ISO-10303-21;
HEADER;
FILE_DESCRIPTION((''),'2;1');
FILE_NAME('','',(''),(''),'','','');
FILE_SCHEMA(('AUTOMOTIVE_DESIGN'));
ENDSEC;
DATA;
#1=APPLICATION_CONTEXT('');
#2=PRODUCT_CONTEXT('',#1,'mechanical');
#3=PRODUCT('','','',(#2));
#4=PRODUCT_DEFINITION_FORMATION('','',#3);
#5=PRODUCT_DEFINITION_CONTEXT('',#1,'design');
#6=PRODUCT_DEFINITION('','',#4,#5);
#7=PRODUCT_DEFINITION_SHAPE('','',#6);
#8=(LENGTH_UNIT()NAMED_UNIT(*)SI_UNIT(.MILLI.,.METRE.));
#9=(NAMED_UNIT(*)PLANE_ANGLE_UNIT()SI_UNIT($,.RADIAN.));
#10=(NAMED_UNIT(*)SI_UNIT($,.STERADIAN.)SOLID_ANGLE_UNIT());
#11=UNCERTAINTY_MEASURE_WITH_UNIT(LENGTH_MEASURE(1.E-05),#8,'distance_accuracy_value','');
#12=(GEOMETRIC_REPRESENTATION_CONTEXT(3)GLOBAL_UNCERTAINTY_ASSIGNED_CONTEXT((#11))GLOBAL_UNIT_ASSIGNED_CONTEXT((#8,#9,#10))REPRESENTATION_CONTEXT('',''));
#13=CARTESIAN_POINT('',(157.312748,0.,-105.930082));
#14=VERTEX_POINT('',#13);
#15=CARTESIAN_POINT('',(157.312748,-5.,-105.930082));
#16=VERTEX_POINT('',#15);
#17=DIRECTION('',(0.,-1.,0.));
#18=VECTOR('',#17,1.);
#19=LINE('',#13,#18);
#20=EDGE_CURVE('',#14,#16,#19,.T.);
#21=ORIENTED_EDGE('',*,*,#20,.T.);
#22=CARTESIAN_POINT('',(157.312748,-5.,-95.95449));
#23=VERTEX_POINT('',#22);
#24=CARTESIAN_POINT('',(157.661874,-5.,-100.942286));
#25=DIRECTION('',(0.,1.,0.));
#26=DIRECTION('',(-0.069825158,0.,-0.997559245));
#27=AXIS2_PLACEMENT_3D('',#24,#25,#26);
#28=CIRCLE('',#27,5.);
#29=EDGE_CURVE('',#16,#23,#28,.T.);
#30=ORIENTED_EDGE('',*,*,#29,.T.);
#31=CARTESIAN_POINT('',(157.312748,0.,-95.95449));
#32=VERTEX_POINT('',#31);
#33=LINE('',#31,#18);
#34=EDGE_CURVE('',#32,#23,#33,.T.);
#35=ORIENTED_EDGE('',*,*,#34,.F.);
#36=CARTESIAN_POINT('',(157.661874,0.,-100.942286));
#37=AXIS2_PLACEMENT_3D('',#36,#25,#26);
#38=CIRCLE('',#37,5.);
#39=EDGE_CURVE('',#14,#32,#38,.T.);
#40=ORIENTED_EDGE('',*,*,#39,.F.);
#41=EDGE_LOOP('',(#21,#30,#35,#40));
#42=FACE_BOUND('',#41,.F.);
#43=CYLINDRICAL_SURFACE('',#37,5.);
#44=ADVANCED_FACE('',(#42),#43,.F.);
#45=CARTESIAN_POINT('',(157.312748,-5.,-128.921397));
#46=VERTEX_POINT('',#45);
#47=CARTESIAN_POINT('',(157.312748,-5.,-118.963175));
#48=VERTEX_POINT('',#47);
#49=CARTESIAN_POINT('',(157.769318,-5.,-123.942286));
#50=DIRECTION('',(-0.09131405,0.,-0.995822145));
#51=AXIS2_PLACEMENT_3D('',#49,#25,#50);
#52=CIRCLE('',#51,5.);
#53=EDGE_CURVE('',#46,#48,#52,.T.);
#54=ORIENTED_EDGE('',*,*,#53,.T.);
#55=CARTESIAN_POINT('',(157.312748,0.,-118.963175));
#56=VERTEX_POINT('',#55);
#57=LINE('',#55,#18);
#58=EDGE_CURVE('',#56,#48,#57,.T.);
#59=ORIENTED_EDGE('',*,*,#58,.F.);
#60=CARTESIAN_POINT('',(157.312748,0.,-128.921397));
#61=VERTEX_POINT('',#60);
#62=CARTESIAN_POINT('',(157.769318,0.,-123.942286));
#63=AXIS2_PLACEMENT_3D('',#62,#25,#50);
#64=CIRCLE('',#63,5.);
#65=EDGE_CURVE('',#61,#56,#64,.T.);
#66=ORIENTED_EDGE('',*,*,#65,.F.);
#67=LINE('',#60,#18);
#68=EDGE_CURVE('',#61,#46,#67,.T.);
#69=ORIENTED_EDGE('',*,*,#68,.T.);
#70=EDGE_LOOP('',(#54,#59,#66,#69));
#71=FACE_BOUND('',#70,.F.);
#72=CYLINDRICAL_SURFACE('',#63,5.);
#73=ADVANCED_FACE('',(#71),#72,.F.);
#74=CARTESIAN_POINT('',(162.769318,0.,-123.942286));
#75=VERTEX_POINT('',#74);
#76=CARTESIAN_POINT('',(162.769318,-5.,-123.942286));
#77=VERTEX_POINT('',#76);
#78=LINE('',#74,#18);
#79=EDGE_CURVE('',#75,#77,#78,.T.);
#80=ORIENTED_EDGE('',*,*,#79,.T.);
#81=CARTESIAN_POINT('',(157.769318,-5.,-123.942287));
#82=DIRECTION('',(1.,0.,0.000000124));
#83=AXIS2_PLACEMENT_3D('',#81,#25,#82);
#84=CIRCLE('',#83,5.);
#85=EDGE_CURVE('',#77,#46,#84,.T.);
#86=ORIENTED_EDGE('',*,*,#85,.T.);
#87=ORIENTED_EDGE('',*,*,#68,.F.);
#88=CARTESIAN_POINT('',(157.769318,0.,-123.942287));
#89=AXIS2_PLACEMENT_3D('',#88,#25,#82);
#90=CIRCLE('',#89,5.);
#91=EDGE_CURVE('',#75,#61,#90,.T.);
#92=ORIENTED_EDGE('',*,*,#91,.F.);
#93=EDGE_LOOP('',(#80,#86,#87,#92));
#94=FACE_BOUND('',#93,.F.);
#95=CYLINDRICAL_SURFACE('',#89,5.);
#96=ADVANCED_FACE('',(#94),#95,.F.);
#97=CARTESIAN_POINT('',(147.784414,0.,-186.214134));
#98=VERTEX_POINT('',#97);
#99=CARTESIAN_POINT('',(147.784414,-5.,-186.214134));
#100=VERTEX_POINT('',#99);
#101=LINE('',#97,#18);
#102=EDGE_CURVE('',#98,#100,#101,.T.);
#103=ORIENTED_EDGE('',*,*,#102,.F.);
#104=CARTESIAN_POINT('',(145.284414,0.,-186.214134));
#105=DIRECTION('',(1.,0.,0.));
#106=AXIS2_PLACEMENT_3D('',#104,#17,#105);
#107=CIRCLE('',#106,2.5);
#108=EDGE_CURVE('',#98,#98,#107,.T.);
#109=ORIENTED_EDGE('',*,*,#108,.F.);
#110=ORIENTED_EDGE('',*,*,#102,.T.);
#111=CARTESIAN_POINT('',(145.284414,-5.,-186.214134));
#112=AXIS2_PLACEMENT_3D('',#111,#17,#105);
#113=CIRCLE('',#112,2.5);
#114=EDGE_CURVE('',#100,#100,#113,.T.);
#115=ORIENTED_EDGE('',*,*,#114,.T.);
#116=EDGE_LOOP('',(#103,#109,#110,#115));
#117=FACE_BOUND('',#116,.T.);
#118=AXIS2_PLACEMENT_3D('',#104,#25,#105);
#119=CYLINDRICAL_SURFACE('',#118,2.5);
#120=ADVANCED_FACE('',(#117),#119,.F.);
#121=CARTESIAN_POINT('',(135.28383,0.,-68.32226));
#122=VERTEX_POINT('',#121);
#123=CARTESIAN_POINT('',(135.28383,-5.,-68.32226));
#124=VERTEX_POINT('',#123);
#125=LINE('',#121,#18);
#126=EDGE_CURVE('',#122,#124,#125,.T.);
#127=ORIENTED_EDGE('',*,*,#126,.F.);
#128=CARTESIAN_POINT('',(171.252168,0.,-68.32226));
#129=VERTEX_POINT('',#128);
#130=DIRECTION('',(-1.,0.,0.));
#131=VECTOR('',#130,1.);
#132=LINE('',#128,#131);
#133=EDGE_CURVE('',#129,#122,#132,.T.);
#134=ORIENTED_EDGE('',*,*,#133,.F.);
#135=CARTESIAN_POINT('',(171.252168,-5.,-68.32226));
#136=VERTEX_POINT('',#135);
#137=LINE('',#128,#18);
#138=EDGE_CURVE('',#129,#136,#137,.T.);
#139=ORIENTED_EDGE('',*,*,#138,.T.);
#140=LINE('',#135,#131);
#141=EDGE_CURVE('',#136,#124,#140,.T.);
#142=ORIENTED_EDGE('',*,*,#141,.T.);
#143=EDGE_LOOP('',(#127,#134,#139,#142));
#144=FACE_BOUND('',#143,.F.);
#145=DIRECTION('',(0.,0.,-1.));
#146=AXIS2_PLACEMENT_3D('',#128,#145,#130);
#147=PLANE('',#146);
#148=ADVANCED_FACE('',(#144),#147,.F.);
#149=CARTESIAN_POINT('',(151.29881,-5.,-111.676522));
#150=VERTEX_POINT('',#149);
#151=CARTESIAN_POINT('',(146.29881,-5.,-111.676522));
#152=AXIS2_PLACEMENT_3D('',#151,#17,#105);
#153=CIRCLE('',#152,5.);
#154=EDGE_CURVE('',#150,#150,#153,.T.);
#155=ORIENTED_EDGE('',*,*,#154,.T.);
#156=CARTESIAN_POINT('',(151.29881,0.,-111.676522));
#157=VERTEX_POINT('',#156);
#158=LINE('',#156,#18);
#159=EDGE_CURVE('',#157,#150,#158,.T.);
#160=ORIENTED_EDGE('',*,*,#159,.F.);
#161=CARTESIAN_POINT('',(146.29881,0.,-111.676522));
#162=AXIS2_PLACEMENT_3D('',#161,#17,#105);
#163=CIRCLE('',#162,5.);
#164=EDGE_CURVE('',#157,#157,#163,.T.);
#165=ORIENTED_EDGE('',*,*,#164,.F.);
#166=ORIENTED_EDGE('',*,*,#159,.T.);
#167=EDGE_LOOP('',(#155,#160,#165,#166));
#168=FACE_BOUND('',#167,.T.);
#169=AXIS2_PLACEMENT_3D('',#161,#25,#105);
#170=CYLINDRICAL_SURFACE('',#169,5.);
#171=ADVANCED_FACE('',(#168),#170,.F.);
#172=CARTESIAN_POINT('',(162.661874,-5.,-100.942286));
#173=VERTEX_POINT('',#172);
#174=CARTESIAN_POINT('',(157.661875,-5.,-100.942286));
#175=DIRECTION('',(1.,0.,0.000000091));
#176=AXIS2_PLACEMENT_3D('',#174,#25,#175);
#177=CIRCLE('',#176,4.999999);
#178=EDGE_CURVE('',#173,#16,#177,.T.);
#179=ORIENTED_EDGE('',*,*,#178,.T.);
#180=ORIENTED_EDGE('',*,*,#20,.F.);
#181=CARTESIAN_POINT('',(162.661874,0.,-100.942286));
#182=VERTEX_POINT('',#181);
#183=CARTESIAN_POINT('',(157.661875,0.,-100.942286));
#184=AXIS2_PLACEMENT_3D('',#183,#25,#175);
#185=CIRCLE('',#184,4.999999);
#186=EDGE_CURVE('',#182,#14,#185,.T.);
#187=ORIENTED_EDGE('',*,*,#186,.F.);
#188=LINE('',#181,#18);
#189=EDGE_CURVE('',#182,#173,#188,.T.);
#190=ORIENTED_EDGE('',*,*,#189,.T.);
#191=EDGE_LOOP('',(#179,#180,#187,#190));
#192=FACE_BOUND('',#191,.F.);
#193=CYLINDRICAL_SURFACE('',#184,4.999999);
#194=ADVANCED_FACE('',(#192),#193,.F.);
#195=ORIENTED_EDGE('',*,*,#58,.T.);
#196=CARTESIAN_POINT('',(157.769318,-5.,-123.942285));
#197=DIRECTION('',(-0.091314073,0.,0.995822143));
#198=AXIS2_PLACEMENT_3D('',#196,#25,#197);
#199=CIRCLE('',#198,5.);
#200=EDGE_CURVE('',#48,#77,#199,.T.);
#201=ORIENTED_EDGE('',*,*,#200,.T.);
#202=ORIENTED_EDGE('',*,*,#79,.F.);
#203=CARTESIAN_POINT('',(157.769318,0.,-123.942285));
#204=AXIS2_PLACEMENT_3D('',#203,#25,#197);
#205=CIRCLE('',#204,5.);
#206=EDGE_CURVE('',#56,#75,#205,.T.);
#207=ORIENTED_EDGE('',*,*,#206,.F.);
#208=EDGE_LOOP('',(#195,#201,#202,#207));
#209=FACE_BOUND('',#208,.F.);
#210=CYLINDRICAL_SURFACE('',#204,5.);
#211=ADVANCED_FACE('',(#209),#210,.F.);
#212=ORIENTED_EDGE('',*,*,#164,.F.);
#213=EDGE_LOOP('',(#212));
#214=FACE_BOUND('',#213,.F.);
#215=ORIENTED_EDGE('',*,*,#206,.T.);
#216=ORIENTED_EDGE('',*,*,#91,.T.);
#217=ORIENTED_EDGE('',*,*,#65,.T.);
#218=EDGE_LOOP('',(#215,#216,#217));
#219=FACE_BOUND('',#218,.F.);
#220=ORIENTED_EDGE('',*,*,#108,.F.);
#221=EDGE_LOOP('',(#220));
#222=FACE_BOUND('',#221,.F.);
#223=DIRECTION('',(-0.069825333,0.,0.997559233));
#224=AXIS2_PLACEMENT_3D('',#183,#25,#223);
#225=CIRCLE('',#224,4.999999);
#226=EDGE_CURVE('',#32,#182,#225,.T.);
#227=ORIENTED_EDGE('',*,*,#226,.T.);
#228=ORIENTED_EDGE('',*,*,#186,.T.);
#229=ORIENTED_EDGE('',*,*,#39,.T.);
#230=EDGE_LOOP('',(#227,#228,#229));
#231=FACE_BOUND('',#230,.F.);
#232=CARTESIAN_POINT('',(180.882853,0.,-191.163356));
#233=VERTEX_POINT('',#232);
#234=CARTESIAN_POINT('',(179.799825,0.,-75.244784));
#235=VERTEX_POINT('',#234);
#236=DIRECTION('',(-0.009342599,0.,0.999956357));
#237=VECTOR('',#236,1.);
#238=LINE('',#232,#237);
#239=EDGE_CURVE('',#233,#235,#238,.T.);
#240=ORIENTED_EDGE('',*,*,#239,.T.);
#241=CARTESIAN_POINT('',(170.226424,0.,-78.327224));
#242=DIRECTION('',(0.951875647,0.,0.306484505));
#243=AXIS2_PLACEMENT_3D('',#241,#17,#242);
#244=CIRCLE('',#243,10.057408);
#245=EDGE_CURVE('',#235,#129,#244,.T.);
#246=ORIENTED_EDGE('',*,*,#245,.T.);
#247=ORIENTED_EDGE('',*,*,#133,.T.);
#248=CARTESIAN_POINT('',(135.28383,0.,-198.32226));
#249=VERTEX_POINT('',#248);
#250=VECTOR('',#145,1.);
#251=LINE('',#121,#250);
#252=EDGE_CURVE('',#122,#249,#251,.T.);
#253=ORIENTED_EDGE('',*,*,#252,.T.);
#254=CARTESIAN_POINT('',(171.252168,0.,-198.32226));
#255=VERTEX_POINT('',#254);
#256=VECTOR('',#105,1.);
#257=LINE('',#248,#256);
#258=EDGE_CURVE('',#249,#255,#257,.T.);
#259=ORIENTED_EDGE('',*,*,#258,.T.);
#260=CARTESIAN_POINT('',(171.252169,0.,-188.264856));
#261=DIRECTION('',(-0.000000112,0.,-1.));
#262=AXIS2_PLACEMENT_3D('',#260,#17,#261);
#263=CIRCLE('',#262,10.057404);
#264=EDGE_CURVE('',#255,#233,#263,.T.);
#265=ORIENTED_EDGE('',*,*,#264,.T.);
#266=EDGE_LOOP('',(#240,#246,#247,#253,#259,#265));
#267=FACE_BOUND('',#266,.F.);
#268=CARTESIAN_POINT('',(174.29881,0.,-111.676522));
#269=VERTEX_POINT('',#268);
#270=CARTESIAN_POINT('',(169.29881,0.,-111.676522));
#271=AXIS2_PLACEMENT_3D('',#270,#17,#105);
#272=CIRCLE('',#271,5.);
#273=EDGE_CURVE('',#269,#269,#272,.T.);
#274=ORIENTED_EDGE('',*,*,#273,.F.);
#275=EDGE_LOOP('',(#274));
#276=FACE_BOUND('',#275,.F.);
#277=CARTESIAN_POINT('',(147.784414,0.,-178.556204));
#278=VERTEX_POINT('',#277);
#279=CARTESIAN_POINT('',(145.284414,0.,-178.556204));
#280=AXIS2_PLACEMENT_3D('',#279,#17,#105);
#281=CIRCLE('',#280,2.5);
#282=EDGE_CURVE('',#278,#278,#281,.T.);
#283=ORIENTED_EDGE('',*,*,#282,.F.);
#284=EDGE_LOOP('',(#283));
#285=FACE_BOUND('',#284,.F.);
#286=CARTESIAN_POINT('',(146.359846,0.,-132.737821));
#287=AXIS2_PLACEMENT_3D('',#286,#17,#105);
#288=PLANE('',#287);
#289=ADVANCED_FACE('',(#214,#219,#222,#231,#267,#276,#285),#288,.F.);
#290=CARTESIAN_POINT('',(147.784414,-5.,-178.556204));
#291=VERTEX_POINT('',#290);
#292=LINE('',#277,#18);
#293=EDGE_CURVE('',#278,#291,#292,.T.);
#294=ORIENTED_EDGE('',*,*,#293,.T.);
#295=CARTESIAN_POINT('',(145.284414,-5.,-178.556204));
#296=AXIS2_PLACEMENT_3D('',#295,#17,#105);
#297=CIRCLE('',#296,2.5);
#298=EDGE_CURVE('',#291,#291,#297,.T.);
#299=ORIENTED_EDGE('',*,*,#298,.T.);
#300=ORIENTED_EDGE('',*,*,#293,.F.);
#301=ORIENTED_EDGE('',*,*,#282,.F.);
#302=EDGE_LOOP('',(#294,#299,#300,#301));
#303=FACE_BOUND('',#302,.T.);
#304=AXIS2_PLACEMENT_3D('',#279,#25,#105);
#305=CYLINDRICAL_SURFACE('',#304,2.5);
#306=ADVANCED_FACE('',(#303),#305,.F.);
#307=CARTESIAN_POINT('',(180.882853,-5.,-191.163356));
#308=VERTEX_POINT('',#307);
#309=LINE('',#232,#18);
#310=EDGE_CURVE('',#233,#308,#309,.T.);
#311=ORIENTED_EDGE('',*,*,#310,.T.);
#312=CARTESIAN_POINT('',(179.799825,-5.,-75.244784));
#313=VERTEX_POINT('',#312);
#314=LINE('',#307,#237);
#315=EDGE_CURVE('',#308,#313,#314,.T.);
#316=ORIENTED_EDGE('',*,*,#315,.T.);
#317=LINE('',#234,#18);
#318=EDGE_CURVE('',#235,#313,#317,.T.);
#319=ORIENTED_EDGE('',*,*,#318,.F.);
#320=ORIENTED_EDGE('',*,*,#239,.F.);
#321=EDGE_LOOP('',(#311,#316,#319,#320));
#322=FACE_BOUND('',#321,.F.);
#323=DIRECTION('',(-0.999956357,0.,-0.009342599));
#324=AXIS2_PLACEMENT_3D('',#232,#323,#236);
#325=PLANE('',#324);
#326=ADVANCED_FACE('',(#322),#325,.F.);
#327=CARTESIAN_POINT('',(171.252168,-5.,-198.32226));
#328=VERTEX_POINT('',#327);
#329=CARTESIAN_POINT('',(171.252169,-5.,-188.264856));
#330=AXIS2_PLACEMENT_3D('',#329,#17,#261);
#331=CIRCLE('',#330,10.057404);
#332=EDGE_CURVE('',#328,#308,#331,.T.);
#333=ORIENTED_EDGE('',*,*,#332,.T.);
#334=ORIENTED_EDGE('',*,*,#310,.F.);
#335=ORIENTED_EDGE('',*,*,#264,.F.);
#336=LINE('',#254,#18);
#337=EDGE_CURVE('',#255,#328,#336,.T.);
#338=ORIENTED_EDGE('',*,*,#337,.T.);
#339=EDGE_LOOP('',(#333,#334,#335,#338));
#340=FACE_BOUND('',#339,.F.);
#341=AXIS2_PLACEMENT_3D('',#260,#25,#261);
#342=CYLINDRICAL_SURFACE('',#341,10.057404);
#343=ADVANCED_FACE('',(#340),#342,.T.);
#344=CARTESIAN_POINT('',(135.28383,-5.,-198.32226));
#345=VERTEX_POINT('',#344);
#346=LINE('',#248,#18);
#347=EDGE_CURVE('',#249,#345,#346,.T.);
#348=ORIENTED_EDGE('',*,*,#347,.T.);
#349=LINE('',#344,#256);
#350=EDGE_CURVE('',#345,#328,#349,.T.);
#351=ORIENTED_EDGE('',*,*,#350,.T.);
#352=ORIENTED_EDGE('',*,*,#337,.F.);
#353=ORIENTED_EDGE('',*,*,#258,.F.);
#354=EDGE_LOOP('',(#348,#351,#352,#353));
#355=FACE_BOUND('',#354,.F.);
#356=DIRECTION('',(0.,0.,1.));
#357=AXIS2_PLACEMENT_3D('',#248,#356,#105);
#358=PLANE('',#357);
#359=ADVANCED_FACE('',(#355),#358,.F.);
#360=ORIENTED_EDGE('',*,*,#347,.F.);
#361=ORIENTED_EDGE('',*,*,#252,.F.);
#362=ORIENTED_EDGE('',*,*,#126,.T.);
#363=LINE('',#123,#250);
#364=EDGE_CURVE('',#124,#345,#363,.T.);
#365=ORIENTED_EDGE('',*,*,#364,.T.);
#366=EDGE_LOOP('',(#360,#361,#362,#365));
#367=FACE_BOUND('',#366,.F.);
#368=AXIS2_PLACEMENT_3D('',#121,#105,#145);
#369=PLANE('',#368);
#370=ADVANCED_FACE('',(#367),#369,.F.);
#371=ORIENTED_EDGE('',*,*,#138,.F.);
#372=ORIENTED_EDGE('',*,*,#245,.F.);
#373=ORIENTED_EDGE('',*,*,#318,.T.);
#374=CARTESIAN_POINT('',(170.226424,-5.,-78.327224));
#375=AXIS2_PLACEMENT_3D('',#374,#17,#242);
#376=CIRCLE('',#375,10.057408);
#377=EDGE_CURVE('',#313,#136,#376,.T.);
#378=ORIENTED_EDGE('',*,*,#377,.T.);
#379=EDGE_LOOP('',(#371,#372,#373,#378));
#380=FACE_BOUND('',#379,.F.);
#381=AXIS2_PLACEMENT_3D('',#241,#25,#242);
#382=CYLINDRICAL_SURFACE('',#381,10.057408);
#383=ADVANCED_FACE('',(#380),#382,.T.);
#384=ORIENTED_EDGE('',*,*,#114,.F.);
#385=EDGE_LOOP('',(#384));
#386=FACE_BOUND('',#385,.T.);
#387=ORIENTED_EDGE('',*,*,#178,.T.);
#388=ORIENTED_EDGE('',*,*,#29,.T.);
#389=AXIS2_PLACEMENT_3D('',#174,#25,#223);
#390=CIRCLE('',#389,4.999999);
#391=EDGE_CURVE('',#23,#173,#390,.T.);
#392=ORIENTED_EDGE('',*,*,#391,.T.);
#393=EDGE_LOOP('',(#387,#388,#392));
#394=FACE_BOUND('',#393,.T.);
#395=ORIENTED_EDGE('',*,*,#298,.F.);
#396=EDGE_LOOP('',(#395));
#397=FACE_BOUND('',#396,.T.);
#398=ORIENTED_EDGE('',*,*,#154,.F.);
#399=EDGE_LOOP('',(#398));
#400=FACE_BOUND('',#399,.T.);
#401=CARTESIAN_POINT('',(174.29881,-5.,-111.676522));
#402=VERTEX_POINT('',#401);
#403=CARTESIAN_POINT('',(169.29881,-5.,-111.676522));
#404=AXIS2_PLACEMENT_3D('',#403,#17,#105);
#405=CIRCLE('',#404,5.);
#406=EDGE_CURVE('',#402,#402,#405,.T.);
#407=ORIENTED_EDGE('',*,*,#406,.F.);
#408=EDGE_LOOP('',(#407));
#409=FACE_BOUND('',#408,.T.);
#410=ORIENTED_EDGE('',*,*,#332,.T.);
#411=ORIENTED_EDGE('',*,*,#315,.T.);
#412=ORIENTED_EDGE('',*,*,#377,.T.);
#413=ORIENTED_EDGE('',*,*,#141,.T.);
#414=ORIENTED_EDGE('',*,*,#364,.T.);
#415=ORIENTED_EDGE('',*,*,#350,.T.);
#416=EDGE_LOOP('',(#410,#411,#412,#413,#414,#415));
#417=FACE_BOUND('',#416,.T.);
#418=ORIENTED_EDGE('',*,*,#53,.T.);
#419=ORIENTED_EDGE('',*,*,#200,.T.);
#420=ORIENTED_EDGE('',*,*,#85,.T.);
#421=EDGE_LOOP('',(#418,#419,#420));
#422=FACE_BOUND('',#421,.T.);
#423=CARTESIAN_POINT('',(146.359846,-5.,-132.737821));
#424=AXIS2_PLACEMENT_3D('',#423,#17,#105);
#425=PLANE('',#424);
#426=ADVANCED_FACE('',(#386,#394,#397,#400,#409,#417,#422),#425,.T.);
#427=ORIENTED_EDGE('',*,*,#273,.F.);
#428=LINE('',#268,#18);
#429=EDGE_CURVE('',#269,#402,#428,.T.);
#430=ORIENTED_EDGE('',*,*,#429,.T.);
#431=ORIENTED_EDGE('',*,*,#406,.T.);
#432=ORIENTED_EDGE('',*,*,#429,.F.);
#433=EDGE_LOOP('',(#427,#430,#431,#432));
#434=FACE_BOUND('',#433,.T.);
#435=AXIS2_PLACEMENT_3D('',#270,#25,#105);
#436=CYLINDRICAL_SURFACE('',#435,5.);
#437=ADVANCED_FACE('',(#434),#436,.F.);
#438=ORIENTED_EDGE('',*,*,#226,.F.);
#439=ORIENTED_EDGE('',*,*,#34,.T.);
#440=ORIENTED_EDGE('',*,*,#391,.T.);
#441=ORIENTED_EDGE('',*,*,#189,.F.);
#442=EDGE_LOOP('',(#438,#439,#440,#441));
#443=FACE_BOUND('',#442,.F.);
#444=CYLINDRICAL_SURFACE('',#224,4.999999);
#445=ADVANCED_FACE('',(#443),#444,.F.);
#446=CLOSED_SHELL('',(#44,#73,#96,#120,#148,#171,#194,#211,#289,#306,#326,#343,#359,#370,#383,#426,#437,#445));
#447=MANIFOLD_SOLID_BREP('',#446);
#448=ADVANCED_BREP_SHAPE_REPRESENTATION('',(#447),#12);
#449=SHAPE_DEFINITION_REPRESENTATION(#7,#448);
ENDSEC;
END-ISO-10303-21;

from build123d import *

# Parameters (mm, degrees)
F0_R     = 2.5
F0_R_2   = 5
F1_DEPTH = 5


with BuildPart() as f1:
    # F0 (on Front) → F1 (new body)
    with BuildSketch(Plane.XZ):
        with BuildLine():
            Line((135.28383, -68.32226), (135.28383, -198.32226))
            Line((135.28383, -198.32226), (157.312748, -198.32226))
            Line((157.312748, -198.32226), (157.312748, -128.921397))
            ThreePointArc((157.312748, -128.921397), (152.769318, -123.942286), (157.312748, -118.963175))
            Line((157.312748, -118.963175), (157.312748, -105.930082))
            ThreePointArc((157.312748, -105.930082), (152.661874, -100.942286), (157.312748, -95.95449))
            Line((157.312748, -95.95449), (157.312748, -68.32226))
            Line((157.312748, -68.32226), (135.28383, -68.32226))
        make_face()
        with Locations((145.284414, -186.214134)):
            Circle(F0_R, mode=Mode.SUBTRACT)
        with Locations((145.284414, -178.556204)):
            Circle(F0_R, mode=Mode.SUBTRACT)
        with Locations((146.29881, -111.676522)):
            Circle(F0_R_2, mode=Mode.SUBTRACT)
        with BuildLine():
            Line((157.312748, -128.921397), (157.312748, -198.32226))
            Line((157.312748, -198.32226), (171.252168, -198.32226))
            ThreePointArc((171.252168, -198.32226), (177.252168, -196.336497), (180.882853, -191.163356))
            Line((180.882853, -191.163356), (179.799825, -75.244784))
            ThreePointArc((179.799825, -75.244784), (176.556179, -70.511493), (171.252168, -68.32226))
            Line((171.252168, -68.32226), (157.312748, -68.32226))
            Line((157.312748, -68.32226), (157.312748, -95.95449))
            ThreePointArc((157.312748, -95.95449), (161.07174, -97.2854), (162.661874, -100.942286))
            ThreePointArc((162.661874, -100.942286), (161.07174, -104.599172), (157.312748, -105.930082))
            Line((157.312748, -105.930082), (157.312748, -118.963175))
            ThreePointArc((157.312748, -118.963175), (161.139567, -120.248856), (162.769318, -123.942286))
            ThreePointArc((162.769318, -123.942286), (161.139567, -127.635716), (157.312748, -128.921397))
        make_face()
        with Locations((169.29881, -111.676522)):
            Circle(F0_R_2, mode=Mode.SUBTRACT)
    extrude(amount=F1_DEPTH)


solid = f1.part
